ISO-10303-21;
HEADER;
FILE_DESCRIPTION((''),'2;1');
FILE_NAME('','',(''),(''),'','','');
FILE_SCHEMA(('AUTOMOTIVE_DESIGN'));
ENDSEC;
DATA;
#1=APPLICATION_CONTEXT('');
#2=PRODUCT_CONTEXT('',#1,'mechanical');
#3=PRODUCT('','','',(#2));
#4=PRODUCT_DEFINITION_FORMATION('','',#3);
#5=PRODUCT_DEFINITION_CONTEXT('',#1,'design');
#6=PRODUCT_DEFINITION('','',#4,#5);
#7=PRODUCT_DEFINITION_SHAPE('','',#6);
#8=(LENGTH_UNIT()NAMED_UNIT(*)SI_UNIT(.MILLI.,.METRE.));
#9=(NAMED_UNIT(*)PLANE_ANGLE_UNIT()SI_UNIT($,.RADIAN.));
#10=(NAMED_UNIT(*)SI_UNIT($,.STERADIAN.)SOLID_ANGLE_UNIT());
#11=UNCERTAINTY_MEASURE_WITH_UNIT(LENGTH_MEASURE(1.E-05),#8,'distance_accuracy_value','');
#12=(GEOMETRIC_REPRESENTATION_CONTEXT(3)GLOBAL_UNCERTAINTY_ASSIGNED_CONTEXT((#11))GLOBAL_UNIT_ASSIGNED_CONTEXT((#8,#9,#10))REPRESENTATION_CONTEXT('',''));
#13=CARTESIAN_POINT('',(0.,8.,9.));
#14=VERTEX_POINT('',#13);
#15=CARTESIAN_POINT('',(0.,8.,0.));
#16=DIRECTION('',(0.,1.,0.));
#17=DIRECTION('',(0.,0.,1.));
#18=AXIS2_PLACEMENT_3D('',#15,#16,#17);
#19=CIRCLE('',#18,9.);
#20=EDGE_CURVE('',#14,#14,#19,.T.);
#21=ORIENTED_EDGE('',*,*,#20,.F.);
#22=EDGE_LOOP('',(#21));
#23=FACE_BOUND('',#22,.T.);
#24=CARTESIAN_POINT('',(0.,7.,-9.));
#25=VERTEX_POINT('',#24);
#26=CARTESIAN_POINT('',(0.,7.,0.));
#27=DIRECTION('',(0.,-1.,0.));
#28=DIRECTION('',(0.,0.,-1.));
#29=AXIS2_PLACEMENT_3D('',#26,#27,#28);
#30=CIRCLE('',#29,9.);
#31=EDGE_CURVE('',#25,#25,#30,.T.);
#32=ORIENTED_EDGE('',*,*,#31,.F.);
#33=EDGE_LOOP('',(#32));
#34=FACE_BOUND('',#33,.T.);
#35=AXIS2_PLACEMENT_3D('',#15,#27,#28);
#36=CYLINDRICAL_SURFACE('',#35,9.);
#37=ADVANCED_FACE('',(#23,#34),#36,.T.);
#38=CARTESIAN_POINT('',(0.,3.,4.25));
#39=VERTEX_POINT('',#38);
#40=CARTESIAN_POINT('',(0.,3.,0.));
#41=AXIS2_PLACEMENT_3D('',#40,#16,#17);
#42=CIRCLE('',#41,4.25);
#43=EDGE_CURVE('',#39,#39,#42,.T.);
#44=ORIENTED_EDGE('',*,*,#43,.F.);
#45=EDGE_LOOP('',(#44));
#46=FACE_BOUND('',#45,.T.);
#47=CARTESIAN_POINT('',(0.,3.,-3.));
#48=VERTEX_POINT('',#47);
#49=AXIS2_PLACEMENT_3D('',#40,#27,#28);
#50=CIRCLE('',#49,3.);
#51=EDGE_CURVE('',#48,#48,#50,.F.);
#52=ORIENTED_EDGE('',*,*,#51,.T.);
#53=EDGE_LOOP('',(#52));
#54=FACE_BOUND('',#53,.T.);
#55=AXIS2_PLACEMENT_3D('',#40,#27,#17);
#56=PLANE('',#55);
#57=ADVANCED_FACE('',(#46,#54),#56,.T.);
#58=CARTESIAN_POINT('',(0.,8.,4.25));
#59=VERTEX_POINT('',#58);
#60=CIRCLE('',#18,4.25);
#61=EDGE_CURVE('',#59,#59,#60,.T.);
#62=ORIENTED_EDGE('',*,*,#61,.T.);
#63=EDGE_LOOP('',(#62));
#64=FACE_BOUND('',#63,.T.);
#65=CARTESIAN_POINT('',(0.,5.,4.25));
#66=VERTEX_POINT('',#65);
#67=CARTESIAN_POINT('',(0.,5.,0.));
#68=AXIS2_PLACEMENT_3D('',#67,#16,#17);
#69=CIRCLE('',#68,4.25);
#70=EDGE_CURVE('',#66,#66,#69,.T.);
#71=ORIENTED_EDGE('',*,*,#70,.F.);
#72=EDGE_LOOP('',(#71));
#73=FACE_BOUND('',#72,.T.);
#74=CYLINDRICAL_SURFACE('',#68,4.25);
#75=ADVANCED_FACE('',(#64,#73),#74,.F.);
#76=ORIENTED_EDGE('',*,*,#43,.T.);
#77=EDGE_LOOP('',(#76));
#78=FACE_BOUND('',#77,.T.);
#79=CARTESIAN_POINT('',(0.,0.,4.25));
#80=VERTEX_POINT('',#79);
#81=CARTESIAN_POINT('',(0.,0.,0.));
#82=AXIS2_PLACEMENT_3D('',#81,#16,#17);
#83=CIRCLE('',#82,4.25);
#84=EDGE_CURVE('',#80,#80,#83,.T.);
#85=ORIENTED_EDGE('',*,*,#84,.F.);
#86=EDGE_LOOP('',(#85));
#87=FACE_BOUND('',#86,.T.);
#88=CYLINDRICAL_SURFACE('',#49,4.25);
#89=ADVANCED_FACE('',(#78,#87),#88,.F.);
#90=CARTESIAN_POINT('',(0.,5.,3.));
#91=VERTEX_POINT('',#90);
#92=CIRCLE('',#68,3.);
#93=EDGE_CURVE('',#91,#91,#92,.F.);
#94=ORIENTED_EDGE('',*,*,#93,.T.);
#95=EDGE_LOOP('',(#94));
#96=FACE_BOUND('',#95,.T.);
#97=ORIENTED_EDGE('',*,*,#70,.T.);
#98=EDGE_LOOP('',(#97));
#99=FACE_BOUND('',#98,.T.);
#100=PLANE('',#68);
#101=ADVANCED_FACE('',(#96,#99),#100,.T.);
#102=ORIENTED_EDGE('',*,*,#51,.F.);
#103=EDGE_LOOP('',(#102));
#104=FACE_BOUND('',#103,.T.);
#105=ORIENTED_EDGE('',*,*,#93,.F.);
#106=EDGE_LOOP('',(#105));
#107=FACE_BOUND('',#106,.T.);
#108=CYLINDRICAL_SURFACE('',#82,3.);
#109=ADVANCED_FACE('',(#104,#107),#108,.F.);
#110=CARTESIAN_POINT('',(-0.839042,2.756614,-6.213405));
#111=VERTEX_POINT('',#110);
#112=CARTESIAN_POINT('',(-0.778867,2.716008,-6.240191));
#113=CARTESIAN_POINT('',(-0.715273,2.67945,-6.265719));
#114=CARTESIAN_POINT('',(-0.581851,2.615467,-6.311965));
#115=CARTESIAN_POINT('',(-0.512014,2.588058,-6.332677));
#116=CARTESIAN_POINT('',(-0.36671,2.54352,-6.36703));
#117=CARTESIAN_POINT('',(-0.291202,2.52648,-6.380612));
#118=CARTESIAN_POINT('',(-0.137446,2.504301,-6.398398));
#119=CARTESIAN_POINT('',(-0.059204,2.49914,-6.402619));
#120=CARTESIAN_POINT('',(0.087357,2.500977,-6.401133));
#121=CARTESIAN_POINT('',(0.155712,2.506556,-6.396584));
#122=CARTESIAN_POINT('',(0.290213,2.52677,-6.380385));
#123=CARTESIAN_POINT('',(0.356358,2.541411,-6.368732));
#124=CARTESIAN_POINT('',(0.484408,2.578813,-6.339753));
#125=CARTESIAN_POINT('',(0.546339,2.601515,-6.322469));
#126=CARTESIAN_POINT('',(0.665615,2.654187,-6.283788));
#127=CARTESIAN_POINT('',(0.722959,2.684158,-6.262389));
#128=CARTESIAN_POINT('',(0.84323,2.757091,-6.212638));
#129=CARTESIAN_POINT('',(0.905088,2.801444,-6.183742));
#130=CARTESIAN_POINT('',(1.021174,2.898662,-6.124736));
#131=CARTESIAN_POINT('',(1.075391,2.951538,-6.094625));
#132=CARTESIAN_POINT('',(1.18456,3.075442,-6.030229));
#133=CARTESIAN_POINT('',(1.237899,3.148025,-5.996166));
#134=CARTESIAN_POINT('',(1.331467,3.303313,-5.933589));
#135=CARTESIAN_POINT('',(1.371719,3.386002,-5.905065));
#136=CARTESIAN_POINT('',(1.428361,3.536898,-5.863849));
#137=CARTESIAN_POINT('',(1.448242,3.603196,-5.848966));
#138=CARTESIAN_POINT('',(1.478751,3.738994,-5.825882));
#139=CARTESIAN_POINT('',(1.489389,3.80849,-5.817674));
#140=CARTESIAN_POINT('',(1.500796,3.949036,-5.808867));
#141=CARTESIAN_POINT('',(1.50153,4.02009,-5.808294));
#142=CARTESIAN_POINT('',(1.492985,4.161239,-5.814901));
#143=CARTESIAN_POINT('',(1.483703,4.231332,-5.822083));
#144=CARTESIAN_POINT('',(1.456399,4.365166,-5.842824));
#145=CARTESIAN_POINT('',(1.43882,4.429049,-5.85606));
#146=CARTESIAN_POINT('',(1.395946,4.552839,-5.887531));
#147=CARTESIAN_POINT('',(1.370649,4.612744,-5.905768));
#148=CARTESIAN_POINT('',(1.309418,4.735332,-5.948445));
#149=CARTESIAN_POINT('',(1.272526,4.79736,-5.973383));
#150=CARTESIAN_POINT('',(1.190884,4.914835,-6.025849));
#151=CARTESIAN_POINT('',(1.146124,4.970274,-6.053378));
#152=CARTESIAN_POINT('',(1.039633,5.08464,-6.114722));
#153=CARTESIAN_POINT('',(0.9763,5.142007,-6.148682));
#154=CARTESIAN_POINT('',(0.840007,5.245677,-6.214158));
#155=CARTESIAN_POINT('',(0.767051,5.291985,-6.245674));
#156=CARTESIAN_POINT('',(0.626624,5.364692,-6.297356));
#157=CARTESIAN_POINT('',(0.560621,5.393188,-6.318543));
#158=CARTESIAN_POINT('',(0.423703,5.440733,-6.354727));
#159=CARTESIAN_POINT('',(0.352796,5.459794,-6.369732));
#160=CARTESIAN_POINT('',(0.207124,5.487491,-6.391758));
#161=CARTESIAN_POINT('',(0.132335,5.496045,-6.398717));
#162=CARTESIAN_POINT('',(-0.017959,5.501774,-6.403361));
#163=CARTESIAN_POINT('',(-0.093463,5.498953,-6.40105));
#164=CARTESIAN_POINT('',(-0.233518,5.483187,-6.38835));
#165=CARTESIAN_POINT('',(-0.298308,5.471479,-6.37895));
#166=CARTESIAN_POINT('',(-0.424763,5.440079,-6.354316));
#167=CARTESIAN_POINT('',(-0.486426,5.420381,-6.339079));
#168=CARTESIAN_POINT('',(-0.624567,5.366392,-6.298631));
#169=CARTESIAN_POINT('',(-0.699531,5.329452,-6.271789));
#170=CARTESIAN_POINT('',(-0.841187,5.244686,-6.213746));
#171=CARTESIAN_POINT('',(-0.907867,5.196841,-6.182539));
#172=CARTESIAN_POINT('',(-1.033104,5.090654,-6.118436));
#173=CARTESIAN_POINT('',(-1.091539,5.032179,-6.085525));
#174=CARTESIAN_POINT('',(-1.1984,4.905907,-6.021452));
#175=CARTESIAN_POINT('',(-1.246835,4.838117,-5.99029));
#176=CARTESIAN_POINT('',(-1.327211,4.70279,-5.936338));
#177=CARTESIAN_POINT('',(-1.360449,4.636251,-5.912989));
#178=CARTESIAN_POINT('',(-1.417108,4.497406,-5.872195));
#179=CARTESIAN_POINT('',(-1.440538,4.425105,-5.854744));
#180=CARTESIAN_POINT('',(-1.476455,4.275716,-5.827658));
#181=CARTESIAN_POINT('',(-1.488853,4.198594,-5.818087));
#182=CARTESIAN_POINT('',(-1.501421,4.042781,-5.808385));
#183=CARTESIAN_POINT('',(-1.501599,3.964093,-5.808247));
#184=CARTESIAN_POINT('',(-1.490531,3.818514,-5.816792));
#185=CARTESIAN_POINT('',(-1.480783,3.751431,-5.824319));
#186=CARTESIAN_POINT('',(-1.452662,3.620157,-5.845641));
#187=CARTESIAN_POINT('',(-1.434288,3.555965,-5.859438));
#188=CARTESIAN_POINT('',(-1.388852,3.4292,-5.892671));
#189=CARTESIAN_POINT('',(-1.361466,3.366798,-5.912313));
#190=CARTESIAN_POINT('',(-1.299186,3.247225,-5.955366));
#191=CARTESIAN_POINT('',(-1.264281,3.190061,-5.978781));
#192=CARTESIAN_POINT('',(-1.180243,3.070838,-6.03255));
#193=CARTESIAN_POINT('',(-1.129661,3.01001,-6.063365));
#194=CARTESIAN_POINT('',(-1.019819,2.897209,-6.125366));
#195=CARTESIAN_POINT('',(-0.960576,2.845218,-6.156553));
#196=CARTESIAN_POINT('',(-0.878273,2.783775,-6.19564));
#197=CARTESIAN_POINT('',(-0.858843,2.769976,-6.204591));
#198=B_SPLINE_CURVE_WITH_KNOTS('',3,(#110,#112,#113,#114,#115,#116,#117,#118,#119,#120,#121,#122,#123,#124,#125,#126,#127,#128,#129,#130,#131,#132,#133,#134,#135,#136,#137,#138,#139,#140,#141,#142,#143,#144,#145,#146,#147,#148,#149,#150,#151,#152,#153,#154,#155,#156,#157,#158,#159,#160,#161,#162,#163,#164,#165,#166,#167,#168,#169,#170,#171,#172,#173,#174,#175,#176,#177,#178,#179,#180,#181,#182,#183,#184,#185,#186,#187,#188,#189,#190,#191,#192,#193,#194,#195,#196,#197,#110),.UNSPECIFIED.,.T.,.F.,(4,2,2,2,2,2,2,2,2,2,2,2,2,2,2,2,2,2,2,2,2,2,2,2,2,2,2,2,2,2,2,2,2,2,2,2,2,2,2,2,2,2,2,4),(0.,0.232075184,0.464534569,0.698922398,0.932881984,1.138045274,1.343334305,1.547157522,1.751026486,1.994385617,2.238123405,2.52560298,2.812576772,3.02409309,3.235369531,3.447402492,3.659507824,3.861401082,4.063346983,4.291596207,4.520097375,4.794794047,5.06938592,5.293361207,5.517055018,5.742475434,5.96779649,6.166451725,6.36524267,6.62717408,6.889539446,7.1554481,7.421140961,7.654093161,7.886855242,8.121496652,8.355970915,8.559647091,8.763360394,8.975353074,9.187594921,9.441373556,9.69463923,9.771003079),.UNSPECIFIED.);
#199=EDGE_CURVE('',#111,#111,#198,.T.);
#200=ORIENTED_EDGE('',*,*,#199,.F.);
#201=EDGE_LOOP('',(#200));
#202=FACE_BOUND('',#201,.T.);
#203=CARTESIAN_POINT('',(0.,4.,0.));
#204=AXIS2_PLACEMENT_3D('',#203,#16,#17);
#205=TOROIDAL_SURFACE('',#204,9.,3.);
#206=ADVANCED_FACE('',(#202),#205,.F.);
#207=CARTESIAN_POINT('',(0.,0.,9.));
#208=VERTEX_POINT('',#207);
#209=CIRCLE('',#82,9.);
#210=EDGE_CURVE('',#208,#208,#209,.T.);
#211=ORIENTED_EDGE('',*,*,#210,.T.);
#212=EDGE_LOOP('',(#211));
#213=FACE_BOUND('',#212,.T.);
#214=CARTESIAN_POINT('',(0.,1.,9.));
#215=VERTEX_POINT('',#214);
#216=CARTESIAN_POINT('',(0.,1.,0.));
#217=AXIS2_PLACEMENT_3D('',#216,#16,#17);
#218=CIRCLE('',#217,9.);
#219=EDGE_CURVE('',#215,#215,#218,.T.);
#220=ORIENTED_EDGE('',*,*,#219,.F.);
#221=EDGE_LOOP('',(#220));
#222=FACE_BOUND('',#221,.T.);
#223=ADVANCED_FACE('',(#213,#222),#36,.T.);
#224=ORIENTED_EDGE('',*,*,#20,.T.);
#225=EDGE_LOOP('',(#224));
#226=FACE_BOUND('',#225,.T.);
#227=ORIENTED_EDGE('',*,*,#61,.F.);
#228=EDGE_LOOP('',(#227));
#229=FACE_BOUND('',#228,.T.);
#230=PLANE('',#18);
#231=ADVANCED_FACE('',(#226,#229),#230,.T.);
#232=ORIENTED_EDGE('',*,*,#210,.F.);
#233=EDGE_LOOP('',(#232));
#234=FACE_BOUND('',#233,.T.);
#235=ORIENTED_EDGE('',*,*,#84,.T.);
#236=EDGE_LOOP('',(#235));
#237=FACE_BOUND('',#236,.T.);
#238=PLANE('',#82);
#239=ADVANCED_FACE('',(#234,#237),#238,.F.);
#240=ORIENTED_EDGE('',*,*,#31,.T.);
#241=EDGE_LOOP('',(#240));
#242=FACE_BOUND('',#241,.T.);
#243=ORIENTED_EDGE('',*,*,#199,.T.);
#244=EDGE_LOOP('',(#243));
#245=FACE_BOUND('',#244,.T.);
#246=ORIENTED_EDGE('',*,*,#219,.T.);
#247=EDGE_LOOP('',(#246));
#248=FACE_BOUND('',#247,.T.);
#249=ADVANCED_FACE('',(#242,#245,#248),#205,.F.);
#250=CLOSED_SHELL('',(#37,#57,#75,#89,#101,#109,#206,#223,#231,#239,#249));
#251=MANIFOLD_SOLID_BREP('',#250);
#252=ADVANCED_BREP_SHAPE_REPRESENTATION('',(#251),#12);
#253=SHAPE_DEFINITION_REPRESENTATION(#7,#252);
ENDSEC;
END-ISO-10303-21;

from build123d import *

# Parameters (mm, degrees)
SKETCH_1_R          = 9
EXTRUDE_1_DEPTH     = 8
SKETCH_5_R          = 3
SKETCH_2_R          = 3
CUT_EXTRUDE_1_DEPTH = 16.033296378
SKETCH_6_R          = 4.25
CUT_EXTRUDE_2_DEPTH = 3


with BuildPart() as part:
    # 草图1 → 凸台-拉伸1 (new body)
    with BuildSketch(Plane(origin=(0, 0, 0), x_dir=(1, 0, 0), z_dir=(0, 1, 0))):
        with Locations(Location((0, 0, 0), (0, 0, 270))):
            Circle(SKETCH_1_R)
    extrude(amount=EXTRUDE_1_DEPTH)

    # 草图5 → 切除-旋转1 (revolve, cut)
    with BuildSketch(Plane(origin=(0, 0, 0), x_dir=(0, 0, -1), z_dir=(1, 0, 0)), mode=Mode.PRIVATE) as cut_revolve_1_sk:
        with Locations((9, 4)):
            Circle(SKETCH_5_R)
    revolve(cut_revolve_1_sk.sketch.rotate(Axis((0, 8, 0), (0, -1, 0)), 180), axis=Axis((0, 8, 0), (0, -1, 0)), mode=Mode.SUBTRACT)

    # 草图2 → 切除-拉伸1 (cut, through all)
    with BuildSketch(Plane(origin=(0, 8, 0), x_dir=(1, 0, 0), z_dir=(0, 1, 0))):
        with Locations(Location((0, 0, 0), (0, 0, 270))):
            Circle(SKETCH_2_R)
    extrude(amount=-CUT_EXTRUDE_1_DEPTH, mode=Mode.SUBTRACT)

    # 草图6 → 切除-拉伸2 (cut)
    with BuildSketch(Plane(origin=(0, 8, 0), x_dir=(1, 0, 0), z_dir=(0, 1, 0))):
        with Locations(Location((0, 0, 0), (0, 0, 270))):
            Circle(SKETCH_6_R)
    cut_extrude_2 = extrude(amount=-CUT_EXTRUDE_2_DEPTH, mode=Mode.SUBTRACT)

    # 镜向2: 切除-拉伸2 across plane
    add(cut_extrude_2.mirror(Plane(origin=(0, 4, 0), x_dir=(0, 0, 1), z_dir=(0, -1, 0))), mode=Mode.SUBTRACT)


solid = part.part
